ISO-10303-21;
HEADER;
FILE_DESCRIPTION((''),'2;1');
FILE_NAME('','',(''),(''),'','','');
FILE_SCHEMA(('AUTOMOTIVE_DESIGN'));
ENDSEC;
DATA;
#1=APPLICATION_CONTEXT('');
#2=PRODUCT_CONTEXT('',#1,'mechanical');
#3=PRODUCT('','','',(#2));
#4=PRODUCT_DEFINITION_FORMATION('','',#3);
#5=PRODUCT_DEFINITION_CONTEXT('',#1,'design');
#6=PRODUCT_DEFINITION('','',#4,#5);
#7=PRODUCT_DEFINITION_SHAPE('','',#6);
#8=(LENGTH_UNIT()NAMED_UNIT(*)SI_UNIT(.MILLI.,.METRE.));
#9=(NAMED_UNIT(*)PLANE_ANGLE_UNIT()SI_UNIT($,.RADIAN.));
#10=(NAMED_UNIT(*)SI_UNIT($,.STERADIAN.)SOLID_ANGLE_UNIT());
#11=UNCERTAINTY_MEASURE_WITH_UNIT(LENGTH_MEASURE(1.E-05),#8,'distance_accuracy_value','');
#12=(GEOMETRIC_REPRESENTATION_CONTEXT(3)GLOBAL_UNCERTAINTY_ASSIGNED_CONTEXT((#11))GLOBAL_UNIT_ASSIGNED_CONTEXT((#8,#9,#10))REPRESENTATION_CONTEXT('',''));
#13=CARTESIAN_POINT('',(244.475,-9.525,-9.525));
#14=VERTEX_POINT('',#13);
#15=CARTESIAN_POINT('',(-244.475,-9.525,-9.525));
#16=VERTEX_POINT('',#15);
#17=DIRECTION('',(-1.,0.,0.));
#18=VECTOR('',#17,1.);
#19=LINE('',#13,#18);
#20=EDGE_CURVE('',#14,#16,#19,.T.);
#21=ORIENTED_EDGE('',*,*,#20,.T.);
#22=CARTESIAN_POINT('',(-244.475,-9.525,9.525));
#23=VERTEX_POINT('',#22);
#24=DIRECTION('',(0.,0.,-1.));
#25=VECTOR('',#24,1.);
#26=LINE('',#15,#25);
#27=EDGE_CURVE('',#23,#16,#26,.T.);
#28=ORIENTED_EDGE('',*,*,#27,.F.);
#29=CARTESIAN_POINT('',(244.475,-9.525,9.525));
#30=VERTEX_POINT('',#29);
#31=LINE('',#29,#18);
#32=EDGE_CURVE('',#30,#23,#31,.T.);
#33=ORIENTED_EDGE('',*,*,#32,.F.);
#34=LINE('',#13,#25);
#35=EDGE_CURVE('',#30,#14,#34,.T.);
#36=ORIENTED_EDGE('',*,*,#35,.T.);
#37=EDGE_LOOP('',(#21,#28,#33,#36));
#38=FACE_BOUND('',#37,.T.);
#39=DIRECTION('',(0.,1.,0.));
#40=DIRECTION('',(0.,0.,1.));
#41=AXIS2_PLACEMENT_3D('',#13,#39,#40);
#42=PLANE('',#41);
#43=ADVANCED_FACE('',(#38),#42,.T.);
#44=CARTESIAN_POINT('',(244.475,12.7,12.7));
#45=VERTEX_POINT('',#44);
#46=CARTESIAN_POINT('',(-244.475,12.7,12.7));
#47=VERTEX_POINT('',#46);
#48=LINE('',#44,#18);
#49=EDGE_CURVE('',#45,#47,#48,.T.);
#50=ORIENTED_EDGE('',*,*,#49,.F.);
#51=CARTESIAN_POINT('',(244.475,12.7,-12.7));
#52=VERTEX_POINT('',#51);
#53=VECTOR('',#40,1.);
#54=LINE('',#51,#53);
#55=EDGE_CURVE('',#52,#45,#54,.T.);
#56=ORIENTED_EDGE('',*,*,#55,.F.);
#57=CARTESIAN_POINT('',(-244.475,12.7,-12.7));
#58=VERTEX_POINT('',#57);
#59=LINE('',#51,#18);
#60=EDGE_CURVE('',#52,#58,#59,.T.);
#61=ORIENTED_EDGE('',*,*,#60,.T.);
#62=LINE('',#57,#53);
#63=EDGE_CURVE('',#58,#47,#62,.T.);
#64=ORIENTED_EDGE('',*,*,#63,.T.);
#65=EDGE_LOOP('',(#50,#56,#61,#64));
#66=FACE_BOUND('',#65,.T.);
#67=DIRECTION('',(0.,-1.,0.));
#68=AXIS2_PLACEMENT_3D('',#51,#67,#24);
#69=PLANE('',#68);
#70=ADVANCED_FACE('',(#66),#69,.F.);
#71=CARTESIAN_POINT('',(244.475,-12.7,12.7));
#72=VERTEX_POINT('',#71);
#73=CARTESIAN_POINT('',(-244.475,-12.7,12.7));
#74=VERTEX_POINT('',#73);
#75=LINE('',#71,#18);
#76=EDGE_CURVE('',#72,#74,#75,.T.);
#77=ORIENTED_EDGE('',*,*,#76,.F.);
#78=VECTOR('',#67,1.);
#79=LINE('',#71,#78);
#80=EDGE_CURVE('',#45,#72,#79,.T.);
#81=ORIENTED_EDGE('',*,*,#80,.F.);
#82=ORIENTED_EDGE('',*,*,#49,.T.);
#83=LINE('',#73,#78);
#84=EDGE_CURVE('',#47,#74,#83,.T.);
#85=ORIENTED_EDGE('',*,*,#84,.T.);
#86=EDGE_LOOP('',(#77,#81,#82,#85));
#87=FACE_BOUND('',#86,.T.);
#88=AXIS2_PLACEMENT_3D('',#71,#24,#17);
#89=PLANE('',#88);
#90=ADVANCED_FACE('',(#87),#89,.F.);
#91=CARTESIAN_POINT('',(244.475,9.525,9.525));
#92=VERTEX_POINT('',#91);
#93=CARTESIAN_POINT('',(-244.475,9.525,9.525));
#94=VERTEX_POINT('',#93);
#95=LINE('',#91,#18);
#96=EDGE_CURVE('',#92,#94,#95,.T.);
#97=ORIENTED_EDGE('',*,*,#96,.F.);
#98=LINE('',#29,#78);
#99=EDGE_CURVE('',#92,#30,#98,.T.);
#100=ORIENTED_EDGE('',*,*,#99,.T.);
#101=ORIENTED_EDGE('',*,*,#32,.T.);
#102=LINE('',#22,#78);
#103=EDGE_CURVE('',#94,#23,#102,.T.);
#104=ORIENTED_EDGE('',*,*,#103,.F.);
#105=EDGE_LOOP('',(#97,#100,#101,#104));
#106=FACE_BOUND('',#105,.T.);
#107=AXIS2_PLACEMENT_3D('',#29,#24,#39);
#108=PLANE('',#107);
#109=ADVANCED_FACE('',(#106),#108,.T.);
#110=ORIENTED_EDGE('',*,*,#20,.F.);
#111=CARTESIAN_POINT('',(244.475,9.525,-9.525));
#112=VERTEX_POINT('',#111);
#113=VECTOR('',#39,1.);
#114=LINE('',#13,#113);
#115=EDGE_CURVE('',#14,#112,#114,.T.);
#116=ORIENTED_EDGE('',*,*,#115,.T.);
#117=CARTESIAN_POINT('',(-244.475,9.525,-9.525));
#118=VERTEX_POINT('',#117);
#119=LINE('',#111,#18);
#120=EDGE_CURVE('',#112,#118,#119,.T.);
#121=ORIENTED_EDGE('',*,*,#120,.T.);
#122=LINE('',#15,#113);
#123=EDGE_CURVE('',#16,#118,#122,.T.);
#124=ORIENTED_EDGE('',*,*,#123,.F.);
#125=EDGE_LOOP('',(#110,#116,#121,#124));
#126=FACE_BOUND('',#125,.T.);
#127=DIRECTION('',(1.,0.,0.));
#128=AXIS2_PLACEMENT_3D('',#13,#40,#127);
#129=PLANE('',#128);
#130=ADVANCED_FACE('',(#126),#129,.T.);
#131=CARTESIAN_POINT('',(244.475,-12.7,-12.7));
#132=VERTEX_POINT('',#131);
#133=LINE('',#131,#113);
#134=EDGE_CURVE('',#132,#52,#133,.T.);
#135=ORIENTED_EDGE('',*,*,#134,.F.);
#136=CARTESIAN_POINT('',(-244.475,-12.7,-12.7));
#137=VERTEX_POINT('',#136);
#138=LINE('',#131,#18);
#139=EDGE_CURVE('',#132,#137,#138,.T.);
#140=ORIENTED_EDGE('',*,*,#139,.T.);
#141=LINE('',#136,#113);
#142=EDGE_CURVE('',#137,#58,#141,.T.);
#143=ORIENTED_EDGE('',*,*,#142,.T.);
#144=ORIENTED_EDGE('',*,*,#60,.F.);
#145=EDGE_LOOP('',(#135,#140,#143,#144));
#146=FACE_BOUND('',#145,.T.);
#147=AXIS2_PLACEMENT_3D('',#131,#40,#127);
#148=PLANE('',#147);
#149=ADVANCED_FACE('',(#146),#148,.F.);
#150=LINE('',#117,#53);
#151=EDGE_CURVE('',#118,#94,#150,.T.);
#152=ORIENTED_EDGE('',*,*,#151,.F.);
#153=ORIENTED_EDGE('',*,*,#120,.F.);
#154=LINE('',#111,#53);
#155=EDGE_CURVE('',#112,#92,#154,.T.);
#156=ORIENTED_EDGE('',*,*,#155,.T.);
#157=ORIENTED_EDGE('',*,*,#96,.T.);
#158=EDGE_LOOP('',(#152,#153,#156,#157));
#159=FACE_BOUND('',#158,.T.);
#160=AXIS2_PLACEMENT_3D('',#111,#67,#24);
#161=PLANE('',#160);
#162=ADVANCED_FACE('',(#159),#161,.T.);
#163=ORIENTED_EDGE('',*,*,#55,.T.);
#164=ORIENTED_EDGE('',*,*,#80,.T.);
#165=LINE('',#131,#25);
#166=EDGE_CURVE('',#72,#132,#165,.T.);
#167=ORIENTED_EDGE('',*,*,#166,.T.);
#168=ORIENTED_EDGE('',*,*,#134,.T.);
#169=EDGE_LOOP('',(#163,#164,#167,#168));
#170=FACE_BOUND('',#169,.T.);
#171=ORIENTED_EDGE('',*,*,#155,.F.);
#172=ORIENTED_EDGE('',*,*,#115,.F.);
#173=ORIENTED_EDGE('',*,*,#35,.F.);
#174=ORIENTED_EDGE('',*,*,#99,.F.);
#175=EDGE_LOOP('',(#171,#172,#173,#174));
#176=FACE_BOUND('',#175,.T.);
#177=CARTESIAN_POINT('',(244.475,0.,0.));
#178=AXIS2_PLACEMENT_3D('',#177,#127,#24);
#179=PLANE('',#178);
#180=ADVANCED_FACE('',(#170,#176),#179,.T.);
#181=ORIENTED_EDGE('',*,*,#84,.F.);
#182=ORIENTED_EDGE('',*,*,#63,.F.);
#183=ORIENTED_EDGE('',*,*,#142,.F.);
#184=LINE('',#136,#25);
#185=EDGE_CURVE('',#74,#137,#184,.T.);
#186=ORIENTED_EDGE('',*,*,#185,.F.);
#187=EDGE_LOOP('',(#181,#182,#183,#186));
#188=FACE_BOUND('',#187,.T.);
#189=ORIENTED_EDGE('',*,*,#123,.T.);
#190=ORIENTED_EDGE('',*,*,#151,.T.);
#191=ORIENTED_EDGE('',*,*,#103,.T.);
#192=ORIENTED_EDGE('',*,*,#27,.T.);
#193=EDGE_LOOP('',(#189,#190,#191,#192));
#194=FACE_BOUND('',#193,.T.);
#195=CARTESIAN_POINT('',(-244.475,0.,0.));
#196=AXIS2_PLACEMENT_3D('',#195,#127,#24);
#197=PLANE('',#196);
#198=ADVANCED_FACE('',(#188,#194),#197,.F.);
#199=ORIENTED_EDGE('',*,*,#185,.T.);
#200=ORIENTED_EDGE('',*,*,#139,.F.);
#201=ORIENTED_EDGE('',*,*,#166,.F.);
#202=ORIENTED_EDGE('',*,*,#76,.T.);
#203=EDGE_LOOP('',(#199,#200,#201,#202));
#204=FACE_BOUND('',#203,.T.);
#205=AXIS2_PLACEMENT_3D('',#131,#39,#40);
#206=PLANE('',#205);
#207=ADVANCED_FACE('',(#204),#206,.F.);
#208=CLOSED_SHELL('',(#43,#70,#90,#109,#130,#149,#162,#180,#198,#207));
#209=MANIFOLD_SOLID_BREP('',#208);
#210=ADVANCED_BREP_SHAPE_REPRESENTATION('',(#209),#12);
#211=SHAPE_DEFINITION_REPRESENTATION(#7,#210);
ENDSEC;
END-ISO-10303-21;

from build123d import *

# Parameters (mm, degrees)
SKETCH1_W           = 25.4
SKETCH1_H           = 25.4
SKETCH1_W_2         = 19.05
SKETCH1_H_2         = 19.05
BOSS_EXTRUDE1_DEPTH = 244.475


with BuildPart() as part:
    # Sketch1 → Boss-Extrude1 (new, symmetric)
    with BuildSketch(Plane(origin=(0, 0, 0), x_dir=(0, 0, -1), z_dir=(1, 0, 0))):
        Rectangle(SKETCH1_W, SKETCH1_H)
        Rectangle(SKETCH1_W_2, SKETCH1_H_2, mode=Mode.SUBTRACT)
    extrude(amount=BOSS_EXTRUDE1_DEPTH, both=True)


solid = part.part
